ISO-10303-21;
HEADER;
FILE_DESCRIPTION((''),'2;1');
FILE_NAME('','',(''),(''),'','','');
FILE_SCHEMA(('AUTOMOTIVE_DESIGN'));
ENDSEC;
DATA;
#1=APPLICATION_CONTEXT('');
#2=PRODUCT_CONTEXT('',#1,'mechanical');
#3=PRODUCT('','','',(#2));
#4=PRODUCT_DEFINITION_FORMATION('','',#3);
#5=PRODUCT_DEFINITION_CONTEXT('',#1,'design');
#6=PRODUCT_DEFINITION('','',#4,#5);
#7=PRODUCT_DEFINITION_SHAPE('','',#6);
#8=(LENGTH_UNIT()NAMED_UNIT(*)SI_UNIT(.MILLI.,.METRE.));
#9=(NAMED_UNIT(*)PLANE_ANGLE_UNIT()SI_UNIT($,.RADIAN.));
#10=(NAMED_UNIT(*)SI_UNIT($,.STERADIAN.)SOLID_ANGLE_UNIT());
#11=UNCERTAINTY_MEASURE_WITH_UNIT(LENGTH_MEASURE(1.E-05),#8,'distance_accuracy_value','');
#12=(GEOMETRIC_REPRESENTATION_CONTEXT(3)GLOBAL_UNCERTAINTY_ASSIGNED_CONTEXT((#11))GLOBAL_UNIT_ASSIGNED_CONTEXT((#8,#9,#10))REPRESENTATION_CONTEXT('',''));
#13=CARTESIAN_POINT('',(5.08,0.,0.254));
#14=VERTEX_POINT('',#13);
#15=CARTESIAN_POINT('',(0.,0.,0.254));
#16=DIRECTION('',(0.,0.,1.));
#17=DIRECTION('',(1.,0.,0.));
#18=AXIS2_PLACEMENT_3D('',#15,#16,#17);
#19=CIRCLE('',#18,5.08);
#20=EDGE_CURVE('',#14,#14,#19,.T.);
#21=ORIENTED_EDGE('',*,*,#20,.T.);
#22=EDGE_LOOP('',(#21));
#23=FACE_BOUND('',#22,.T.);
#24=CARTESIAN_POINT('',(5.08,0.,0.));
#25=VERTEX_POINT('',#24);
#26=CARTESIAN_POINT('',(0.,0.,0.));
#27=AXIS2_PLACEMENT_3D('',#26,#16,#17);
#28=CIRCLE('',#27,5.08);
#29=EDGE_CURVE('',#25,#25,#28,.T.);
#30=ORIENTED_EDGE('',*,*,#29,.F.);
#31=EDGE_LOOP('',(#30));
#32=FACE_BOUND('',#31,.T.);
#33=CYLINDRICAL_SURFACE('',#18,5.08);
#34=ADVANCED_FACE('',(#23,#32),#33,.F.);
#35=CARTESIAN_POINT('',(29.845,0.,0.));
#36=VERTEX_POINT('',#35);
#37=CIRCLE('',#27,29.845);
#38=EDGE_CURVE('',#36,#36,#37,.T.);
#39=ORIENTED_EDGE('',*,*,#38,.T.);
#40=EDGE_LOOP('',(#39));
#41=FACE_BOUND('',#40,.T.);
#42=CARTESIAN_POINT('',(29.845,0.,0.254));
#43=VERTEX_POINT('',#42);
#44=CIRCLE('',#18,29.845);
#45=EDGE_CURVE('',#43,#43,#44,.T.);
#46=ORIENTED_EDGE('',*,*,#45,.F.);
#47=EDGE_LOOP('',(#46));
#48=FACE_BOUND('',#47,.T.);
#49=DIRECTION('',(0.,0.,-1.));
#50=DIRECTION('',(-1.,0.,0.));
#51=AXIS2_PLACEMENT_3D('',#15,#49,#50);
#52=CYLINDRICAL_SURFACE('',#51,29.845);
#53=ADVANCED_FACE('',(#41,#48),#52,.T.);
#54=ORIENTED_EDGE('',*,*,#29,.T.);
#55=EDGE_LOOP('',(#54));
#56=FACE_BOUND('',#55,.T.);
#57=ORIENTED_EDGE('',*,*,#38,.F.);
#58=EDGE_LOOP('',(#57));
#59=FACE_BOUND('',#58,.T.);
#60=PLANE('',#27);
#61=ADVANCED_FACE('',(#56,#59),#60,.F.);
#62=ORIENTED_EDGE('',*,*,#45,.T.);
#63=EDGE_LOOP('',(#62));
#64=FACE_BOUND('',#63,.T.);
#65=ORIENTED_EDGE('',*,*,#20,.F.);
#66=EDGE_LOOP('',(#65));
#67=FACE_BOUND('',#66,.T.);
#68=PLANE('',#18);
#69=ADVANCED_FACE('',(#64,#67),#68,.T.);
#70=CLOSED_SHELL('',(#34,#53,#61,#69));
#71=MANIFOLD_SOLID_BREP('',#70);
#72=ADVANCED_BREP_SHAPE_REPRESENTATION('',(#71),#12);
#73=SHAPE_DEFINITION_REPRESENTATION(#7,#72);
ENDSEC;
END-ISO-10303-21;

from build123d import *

# Parameters (mm, degrees)
SKETCH1_R                 = 29.845
BOSS_EXTRUDE1_DEPTH       = 0.254
F_97_0_4_DIAMETER_HOLE1_D = 10.16


with BuildPart() as part:
    # Sketch1 → Boss-Extrude1 (new body)
    with BuildSketch(Plane.XY):
        Circle(SKETCH1_R)
    extrude(amount=BOSS_EXTRUDE1_DEPTH)

    # #97 (0.4) Diameter Hole1 (through all)
    with Locations(Plane.XY.offset(0.254)):
        with Locations((0, 0)):
            Hole(F_97_0_4_DIAMETER_HOLE1_D / 2)


solid = part.part
